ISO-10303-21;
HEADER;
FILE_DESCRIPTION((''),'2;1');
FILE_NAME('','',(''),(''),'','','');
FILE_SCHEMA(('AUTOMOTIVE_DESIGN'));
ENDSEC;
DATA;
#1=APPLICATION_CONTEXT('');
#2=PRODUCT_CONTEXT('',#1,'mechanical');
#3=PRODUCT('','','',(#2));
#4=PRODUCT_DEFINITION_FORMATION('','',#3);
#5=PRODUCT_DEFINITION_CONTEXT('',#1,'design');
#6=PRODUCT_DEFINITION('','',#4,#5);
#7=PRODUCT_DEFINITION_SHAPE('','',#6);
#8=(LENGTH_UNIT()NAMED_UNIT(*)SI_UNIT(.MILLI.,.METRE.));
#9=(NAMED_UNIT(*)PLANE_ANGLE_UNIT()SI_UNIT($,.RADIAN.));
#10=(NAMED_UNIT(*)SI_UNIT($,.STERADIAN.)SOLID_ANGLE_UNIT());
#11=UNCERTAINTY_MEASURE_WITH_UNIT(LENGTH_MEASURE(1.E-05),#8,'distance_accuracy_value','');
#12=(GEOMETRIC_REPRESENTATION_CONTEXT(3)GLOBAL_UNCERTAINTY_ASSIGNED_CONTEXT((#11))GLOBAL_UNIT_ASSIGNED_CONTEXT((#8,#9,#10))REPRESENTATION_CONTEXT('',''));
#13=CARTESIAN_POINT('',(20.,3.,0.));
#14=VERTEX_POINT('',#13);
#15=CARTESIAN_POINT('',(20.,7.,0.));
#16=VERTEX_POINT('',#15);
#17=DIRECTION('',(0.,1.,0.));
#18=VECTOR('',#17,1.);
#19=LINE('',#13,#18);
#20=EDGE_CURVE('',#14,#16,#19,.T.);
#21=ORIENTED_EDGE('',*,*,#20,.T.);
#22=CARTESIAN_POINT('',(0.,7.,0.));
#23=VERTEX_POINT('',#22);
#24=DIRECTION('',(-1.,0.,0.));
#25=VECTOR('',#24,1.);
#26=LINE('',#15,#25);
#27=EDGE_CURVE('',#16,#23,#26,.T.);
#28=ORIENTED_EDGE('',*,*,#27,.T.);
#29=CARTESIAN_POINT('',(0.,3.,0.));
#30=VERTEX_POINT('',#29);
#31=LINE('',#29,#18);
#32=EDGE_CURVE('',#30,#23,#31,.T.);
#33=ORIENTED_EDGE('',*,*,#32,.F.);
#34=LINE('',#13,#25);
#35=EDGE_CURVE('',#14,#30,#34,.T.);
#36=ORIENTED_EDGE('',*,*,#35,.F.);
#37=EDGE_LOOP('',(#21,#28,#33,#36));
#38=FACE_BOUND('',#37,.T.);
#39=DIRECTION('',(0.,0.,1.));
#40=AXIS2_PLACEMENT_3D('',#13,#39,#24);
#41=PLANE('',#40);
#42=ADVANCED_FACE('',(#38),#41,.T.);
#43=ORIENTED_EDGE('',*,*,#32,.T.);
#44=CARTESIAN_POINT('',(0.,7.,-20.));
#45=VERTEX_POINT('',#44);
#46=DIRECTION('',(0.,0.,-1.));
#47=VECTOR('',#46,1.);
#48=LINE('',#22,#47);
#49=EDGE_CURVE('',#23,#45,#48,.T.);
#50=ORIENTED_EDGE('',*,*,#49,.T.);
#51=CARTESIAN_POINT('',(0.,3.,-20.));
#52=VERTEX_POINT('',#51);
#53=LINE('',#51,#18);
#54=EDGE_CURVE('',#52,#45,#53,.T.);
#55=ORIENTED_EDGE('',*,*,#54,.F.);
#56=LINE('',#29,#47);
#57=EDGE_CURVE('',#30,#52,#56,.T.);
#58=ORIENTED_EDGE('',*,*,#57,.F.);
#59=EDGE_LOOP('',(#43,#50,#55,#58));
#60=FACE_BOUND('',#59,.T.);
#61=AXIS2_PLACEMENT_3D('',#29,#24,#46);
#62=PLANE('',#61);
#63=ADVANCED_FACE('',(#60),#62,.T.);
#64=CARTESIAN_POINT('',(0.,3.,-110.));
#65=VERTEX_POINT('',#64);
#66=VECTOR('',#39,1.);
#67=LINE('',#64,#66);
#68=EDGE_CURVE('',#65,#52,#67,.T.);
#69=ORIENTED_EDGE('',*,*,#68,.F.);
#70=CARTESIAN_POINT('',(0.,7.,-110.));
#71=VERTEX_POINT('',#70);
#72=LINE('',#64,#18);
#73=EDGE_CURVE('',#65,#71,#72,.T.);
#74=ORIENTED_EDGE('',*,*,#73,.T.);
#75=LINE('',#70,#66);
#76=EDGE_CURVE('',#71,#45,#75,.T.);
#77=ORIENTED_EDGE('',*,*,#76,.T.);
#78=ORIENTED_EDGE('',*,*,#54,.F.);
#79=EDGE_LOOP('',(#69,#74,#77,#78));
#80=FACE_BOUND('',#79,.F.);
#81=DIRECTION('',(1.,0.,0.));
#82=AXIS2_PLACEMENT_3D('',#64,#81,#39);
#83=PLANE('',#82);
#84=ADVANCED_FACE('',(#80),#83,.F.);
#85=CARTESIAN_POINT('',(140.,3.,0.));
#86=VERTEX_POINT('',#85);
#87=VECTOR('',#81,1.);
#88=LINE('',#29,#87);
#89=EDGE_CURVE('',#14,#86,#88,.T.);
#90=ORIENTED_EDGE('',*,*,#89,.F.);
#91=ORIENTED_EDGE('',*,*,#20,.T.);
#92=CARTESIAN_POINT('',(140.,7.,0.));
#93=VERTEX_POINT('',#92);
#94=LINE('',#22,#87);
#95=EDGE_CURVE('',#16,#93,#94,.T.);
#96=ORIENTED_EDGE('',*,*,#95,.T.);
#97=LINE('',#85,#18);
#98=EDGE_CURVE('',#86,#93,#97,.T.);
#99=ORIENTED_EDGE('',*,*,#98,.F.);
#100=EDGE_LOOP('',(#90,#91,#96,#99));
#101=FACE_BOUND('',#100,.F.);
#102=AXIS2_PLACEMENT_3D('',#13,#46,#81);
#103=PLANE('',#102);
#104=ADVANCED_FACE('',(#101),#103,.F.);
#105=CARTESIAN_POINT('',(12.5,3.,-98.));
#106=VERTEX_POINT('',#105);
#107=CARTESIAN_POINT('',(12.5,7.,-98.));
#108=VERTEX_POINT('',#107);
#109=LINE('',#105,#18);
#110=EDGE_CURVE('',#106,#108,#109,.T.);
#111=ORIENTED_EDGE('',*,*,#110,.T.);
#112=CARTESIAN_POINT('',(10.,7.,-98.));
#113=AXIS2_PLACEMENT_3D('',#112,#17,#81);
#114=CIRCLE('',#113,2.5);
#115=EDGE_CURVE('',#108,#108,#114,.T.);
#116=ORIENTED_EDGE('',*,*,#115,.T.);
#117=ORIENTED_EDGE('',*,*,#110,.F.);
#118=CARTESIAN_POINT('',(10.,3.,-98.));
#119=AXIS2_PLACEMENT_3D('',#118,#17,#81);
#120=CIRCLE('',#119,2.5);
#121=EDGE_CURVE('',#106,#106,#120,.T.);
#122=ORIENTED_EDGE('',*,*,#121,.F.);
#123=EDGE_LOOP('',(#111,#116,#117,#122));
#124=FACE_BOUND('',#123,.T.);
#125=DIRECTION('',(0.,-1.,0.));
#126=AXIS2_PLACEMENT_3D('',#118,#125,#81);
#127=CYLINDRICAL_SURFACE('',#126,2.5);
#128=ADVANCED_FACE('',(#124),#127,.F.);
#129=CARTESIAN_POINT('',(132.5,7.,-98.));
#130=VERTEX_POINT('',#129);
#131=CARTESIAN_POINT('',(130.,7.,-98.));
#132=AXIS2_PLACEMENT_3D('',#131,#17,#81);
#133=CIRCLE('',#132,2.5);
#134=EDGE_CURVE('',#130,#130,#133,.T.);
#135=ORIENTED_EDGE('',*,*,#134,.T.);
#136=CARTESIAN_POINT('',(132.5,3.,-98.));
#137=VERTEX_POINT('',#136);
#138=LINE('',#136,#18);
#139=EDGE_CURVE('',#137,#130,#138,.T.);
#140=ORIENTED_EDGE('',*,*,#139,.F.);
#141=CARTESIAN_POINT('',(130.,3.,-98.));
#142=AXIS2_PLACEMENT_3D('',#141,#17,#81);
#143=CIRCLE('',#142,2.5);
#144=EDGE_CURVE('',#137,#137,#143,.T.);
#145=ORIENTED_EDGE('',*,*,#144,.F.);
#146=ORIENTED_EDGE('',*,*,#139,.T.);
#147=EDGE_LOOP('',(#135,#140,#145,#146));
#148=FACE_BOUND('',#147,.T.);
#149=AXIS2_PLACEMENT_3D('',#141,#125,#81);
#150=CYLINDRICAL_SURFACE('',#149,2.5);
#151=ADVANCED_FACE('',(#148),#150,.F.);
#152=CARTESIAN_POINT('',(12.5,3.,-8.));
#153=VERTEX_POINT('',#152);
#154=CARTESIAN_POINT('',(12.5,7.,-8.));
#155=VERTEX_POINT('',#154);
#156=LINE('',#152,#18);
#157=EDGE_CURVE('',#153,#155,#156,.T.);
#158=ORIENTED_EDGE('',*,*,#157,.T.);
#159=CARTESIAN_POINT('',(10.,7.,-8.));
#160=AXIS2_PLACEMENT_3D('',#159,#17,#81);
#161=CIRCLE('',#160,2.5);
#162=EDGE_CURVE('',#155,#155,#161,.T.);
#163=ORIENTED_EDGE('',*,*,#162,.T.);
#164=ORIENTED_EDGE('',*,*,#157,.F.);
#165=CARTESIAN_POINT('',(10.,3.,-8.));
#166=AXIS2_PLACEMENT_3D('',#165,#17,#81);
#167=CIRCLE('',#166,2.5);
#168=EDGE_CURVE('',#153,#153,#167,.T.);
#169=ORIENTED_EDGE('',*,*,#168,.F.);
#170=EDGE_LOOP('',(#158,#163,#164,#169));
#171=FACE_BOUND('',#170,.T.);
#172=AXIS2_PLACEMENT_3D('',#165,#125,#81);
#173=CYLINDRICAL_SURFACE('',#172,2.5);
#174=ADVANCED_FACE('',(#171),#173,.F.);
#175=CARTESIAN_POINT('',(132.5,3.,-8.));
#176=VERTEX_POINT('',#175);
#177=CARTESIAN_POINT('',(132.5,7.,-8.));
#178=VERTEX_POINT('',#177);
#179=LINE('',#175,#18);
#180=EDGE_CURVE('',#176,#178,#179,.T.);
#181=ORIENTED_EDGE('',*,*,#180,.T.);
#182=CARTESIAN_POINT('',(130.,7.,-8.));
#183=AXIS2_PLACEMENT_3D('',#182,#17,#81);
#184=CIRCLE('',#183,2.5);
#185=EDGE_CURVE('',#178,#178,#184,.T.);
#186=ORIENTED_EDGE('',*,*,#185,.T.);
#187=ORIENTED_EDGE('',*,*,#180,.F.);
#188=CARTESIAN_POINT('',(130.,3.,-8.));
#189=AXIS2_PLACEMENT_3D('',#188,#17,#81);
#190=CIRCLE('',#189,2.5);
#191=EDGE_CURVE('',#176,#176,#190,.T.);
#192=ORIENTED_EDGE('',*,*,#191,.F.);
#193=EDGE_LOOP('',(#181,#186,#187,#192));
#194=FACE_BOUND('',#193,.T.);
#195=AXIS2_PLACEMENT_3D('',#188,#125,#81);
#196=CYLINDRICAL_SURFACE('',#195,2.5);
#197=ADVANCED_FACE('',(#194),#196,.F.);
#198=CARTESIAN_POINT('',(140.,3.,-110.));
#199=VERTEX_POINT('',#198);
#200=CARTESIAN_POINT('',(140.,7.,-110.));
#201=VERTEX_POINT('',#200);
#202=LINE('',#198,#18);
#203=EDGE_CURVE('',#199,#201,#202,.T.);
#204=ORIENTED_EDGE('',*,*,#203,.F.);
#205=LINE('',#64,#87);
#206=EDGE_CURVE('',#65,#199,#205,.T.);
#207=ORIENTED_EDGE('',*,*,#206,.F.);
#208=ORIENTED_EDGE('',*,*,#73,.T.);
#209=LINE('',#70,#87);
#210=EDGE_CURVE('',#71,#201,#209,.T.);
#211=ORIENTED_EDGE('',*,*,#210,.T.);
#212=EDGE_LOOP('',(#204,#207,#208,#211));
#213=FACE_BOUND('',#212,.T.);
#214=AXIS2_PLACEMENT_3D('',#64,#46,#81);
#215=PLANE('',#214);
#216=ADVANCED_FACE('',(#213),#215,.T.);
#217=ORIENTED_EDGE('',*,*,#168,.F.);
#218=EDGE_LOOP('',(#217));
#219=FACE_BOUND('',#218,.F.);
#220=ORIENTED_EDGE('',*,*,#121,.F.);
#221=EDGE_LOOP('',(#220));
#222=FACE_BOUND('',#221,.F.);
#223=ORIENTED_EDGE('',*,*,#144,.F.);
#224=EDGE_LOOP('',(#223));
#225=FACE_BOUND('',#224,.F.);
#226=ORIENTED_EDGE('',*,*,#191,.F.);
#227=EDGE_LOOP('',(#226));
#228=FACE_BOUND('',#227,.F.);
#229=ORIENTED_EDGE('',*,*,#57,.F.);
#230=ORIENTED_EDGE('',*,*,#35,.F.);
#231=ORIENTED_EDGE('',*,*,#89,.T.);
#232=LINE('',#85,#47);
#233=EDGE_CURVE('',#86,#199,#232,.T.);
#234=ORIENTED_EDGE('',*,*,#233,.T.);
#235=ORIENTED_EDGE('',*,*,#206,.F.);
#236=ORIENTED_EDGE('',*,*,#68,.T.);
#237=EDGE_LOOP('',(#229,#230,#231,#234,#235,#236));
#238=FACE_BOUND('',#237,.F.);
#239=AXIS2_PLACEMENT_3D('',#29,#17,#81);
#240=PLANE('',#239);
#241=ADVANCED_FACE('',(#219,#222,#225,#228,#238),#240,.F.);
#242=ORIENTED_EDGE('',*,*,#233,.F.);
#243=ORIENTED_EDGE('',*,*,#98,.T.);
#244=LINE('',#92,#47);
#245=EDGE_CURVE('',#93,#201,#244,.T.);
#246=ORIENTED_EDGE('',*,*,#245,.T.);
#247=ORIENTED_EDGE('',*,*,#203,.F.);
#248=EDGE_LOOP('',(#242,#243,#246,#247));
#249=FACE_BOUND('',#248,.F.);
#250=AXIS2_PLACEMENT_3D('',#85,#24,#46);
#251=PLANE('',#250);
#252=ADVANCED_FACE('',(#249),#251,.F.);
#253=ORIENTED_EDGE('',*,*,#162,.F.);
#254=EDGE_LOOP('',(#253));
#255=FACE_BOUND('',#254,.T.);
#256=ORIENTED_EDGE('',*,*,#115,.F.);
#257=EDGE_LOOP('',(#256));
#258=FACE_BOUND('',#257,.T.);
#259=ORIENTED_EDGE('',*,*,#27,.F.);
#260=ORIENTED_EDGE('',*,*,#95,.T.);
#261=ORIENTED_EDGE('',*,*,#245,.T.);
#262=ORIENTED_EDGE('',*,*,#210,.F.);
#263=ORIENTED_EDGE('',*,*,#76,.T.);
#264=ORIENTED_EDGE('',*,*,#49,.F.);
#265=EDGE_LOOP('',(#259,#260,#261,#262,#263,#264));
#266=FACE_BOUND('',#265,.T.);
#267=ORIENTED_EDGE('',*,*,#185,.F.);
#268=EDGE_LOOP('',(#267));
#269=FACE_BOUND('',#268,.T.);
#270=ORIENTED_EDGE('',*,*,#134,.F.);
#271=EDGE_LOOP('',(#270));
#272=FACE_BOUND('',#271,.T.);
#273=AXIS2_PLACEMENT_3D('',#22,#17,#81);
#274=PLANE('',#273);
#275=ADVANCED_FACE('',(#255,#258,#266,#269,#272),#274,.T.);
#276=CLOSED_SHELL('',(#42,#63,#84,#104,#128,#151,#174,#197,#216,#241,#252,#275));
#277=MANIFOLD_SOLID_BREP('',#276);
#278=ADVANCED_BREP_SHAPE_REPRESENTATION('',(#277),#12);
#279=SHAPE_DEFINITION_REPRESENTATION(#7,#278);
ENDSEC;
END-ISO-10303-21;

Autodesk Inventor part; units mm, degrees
ref_plane "YZ Plane" through (0, 0, 0) normal (1, 0, 0) x (0, 1, 0)
ref_plane "XZ Plane" through (0, 0, 0) normal (0, 1, 0) x (-1, 0, 0)
ref_plane "Work Plane1" through (0, 3, 0) normal (0, 1, 0) x (1, 0, 0)
sketch "Sketch2" plane through (0, 3, 0) normal (0, 1, 0) x (1, 0, 0)
  line L0 (0, 0) -> (0, 20)
  line L1 (20, 0) -> (0, 0)
  line L2 (0, 0) -> (140, 0)
  line L3 (140, 0) -> (140, 110)
  line L4 (0, 110) -> (0, 0)
  line L5 (0, 110) -> (140, 110)
  circle A0 centre (10, 98) radius 2.5
  circle A1 centre (10, 8) radius 2.5
  circle A2 centre (130, 98) radius 2.5
  circle A3 centre (130, 8) radius 2.5
extrude "Extrusion3" add sketch "Sketch2" along normal blind 4
properties part number "top panel"
